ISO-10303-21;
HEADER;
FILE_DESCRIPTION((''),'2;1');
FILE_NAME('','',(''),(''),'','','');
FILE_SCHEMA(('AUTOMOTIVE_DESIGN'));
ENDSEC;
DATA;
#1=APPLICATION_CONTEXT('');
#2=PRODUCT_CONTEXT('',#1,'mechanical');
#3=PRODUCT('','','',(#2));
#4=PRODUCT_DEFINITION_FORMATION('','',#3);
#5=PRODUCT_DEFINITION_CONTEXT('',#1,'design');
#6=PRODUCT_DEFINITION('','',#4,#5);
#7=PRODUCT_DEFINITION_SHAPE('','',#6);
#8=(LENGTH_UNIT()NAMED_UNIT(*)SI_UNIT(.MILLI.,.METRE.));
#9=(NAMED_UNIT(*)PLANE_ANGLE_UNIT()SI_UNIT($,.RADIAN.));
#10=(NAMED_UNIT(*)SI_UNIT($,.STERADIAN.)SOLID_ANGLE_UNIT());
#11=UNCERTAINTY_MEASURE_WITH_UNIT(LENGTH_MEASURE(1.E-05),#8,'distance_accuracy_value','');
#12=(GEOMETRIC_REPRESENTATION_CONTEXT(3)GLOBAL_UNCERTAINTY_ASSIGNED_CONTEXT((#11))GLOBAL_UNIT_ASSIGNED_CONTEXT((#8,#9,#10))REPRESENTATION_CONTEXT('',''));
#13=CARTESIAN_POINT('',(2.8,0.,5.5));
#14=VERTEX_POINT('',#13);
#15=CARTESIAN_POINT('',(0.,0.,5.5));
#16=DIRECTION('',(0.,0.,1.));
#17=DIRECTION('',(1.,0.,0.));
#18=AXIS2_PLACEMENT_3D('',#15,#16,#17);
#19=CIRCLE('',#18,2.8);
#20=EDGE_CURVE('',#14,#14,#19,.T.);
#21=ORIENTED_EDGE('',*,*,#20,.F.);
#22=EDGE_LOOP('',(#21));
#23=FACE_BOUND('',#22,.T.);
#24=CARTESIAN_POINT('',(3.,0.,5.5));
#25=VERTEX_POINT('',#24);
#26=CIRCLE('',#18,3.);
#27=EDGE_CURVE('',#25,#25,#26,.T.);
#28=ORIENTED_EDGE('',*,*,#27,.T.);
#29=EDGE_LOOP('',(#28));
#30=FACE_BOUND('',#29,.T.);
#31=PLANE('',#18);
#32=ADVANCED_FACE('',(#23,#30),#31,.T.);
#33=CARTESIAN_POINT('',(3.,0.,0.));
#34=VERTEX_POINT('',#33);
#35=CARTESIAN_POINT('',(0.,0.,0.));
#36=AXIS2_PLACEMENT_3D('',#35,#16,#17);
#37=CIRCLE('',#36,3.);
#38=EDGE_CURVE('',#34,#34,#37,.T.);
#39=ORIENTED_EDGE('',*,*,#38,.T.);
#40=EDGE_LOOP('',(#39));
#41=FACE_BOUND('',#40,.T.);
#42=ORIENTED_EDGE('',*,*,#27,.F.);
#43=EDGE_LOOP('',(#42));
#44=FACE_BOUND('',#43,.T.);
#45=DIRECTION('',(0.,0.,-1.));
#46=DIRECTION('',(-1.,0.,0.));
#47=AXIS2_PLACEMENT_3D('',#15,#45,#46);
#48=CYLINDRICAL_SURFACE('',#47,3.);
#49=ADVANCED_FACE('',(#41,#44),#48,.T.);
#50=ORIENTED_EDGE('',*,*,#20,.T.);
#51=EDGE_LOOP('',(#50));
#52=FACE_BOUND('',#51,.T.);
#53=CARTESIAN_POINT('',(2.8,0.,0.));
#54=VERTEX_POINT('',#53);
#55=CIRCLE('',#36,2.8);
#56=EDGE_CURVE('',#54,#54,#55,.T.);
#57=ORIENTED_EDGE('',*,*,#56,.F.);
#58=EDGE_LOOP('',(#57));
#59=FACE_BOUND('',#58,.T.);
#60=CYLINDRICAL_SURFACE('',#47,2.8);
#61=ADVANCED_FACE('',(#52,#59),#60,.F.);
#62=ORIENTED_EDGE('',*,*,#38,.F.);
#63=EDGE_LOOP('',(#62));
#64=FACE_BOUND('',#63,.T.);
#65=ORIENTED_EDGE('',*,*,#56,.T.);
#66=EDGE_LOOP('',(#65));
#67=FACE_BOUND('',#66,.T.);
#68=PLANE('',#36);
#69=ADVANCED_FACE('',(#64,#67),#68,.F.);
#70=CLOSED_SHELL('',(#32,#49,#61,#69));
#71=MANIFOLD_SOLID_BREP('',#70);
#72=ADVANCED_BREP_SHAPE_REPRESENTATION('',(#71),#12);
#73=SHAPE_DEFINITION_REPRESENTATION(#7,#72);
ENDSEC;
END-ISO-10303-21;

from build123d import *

# Parameters (mm, degrees)
ESQUISSE1_R   = 3
ESQUISSE1_R_2 = 2.8
BUSHING_DEPTH = 5.5


with BuildPart() as part:
    # Esquisse1 → Bushing (new body)
    with BuildSketch(Plane.XY):
        Circle(ESQUISSE1_R)
        Circle(ESQUISSE1_R_2, mode=Mode.SUBTRACT)
    extrude(amount=BUSHING_DEPTH)


solid = part.part
